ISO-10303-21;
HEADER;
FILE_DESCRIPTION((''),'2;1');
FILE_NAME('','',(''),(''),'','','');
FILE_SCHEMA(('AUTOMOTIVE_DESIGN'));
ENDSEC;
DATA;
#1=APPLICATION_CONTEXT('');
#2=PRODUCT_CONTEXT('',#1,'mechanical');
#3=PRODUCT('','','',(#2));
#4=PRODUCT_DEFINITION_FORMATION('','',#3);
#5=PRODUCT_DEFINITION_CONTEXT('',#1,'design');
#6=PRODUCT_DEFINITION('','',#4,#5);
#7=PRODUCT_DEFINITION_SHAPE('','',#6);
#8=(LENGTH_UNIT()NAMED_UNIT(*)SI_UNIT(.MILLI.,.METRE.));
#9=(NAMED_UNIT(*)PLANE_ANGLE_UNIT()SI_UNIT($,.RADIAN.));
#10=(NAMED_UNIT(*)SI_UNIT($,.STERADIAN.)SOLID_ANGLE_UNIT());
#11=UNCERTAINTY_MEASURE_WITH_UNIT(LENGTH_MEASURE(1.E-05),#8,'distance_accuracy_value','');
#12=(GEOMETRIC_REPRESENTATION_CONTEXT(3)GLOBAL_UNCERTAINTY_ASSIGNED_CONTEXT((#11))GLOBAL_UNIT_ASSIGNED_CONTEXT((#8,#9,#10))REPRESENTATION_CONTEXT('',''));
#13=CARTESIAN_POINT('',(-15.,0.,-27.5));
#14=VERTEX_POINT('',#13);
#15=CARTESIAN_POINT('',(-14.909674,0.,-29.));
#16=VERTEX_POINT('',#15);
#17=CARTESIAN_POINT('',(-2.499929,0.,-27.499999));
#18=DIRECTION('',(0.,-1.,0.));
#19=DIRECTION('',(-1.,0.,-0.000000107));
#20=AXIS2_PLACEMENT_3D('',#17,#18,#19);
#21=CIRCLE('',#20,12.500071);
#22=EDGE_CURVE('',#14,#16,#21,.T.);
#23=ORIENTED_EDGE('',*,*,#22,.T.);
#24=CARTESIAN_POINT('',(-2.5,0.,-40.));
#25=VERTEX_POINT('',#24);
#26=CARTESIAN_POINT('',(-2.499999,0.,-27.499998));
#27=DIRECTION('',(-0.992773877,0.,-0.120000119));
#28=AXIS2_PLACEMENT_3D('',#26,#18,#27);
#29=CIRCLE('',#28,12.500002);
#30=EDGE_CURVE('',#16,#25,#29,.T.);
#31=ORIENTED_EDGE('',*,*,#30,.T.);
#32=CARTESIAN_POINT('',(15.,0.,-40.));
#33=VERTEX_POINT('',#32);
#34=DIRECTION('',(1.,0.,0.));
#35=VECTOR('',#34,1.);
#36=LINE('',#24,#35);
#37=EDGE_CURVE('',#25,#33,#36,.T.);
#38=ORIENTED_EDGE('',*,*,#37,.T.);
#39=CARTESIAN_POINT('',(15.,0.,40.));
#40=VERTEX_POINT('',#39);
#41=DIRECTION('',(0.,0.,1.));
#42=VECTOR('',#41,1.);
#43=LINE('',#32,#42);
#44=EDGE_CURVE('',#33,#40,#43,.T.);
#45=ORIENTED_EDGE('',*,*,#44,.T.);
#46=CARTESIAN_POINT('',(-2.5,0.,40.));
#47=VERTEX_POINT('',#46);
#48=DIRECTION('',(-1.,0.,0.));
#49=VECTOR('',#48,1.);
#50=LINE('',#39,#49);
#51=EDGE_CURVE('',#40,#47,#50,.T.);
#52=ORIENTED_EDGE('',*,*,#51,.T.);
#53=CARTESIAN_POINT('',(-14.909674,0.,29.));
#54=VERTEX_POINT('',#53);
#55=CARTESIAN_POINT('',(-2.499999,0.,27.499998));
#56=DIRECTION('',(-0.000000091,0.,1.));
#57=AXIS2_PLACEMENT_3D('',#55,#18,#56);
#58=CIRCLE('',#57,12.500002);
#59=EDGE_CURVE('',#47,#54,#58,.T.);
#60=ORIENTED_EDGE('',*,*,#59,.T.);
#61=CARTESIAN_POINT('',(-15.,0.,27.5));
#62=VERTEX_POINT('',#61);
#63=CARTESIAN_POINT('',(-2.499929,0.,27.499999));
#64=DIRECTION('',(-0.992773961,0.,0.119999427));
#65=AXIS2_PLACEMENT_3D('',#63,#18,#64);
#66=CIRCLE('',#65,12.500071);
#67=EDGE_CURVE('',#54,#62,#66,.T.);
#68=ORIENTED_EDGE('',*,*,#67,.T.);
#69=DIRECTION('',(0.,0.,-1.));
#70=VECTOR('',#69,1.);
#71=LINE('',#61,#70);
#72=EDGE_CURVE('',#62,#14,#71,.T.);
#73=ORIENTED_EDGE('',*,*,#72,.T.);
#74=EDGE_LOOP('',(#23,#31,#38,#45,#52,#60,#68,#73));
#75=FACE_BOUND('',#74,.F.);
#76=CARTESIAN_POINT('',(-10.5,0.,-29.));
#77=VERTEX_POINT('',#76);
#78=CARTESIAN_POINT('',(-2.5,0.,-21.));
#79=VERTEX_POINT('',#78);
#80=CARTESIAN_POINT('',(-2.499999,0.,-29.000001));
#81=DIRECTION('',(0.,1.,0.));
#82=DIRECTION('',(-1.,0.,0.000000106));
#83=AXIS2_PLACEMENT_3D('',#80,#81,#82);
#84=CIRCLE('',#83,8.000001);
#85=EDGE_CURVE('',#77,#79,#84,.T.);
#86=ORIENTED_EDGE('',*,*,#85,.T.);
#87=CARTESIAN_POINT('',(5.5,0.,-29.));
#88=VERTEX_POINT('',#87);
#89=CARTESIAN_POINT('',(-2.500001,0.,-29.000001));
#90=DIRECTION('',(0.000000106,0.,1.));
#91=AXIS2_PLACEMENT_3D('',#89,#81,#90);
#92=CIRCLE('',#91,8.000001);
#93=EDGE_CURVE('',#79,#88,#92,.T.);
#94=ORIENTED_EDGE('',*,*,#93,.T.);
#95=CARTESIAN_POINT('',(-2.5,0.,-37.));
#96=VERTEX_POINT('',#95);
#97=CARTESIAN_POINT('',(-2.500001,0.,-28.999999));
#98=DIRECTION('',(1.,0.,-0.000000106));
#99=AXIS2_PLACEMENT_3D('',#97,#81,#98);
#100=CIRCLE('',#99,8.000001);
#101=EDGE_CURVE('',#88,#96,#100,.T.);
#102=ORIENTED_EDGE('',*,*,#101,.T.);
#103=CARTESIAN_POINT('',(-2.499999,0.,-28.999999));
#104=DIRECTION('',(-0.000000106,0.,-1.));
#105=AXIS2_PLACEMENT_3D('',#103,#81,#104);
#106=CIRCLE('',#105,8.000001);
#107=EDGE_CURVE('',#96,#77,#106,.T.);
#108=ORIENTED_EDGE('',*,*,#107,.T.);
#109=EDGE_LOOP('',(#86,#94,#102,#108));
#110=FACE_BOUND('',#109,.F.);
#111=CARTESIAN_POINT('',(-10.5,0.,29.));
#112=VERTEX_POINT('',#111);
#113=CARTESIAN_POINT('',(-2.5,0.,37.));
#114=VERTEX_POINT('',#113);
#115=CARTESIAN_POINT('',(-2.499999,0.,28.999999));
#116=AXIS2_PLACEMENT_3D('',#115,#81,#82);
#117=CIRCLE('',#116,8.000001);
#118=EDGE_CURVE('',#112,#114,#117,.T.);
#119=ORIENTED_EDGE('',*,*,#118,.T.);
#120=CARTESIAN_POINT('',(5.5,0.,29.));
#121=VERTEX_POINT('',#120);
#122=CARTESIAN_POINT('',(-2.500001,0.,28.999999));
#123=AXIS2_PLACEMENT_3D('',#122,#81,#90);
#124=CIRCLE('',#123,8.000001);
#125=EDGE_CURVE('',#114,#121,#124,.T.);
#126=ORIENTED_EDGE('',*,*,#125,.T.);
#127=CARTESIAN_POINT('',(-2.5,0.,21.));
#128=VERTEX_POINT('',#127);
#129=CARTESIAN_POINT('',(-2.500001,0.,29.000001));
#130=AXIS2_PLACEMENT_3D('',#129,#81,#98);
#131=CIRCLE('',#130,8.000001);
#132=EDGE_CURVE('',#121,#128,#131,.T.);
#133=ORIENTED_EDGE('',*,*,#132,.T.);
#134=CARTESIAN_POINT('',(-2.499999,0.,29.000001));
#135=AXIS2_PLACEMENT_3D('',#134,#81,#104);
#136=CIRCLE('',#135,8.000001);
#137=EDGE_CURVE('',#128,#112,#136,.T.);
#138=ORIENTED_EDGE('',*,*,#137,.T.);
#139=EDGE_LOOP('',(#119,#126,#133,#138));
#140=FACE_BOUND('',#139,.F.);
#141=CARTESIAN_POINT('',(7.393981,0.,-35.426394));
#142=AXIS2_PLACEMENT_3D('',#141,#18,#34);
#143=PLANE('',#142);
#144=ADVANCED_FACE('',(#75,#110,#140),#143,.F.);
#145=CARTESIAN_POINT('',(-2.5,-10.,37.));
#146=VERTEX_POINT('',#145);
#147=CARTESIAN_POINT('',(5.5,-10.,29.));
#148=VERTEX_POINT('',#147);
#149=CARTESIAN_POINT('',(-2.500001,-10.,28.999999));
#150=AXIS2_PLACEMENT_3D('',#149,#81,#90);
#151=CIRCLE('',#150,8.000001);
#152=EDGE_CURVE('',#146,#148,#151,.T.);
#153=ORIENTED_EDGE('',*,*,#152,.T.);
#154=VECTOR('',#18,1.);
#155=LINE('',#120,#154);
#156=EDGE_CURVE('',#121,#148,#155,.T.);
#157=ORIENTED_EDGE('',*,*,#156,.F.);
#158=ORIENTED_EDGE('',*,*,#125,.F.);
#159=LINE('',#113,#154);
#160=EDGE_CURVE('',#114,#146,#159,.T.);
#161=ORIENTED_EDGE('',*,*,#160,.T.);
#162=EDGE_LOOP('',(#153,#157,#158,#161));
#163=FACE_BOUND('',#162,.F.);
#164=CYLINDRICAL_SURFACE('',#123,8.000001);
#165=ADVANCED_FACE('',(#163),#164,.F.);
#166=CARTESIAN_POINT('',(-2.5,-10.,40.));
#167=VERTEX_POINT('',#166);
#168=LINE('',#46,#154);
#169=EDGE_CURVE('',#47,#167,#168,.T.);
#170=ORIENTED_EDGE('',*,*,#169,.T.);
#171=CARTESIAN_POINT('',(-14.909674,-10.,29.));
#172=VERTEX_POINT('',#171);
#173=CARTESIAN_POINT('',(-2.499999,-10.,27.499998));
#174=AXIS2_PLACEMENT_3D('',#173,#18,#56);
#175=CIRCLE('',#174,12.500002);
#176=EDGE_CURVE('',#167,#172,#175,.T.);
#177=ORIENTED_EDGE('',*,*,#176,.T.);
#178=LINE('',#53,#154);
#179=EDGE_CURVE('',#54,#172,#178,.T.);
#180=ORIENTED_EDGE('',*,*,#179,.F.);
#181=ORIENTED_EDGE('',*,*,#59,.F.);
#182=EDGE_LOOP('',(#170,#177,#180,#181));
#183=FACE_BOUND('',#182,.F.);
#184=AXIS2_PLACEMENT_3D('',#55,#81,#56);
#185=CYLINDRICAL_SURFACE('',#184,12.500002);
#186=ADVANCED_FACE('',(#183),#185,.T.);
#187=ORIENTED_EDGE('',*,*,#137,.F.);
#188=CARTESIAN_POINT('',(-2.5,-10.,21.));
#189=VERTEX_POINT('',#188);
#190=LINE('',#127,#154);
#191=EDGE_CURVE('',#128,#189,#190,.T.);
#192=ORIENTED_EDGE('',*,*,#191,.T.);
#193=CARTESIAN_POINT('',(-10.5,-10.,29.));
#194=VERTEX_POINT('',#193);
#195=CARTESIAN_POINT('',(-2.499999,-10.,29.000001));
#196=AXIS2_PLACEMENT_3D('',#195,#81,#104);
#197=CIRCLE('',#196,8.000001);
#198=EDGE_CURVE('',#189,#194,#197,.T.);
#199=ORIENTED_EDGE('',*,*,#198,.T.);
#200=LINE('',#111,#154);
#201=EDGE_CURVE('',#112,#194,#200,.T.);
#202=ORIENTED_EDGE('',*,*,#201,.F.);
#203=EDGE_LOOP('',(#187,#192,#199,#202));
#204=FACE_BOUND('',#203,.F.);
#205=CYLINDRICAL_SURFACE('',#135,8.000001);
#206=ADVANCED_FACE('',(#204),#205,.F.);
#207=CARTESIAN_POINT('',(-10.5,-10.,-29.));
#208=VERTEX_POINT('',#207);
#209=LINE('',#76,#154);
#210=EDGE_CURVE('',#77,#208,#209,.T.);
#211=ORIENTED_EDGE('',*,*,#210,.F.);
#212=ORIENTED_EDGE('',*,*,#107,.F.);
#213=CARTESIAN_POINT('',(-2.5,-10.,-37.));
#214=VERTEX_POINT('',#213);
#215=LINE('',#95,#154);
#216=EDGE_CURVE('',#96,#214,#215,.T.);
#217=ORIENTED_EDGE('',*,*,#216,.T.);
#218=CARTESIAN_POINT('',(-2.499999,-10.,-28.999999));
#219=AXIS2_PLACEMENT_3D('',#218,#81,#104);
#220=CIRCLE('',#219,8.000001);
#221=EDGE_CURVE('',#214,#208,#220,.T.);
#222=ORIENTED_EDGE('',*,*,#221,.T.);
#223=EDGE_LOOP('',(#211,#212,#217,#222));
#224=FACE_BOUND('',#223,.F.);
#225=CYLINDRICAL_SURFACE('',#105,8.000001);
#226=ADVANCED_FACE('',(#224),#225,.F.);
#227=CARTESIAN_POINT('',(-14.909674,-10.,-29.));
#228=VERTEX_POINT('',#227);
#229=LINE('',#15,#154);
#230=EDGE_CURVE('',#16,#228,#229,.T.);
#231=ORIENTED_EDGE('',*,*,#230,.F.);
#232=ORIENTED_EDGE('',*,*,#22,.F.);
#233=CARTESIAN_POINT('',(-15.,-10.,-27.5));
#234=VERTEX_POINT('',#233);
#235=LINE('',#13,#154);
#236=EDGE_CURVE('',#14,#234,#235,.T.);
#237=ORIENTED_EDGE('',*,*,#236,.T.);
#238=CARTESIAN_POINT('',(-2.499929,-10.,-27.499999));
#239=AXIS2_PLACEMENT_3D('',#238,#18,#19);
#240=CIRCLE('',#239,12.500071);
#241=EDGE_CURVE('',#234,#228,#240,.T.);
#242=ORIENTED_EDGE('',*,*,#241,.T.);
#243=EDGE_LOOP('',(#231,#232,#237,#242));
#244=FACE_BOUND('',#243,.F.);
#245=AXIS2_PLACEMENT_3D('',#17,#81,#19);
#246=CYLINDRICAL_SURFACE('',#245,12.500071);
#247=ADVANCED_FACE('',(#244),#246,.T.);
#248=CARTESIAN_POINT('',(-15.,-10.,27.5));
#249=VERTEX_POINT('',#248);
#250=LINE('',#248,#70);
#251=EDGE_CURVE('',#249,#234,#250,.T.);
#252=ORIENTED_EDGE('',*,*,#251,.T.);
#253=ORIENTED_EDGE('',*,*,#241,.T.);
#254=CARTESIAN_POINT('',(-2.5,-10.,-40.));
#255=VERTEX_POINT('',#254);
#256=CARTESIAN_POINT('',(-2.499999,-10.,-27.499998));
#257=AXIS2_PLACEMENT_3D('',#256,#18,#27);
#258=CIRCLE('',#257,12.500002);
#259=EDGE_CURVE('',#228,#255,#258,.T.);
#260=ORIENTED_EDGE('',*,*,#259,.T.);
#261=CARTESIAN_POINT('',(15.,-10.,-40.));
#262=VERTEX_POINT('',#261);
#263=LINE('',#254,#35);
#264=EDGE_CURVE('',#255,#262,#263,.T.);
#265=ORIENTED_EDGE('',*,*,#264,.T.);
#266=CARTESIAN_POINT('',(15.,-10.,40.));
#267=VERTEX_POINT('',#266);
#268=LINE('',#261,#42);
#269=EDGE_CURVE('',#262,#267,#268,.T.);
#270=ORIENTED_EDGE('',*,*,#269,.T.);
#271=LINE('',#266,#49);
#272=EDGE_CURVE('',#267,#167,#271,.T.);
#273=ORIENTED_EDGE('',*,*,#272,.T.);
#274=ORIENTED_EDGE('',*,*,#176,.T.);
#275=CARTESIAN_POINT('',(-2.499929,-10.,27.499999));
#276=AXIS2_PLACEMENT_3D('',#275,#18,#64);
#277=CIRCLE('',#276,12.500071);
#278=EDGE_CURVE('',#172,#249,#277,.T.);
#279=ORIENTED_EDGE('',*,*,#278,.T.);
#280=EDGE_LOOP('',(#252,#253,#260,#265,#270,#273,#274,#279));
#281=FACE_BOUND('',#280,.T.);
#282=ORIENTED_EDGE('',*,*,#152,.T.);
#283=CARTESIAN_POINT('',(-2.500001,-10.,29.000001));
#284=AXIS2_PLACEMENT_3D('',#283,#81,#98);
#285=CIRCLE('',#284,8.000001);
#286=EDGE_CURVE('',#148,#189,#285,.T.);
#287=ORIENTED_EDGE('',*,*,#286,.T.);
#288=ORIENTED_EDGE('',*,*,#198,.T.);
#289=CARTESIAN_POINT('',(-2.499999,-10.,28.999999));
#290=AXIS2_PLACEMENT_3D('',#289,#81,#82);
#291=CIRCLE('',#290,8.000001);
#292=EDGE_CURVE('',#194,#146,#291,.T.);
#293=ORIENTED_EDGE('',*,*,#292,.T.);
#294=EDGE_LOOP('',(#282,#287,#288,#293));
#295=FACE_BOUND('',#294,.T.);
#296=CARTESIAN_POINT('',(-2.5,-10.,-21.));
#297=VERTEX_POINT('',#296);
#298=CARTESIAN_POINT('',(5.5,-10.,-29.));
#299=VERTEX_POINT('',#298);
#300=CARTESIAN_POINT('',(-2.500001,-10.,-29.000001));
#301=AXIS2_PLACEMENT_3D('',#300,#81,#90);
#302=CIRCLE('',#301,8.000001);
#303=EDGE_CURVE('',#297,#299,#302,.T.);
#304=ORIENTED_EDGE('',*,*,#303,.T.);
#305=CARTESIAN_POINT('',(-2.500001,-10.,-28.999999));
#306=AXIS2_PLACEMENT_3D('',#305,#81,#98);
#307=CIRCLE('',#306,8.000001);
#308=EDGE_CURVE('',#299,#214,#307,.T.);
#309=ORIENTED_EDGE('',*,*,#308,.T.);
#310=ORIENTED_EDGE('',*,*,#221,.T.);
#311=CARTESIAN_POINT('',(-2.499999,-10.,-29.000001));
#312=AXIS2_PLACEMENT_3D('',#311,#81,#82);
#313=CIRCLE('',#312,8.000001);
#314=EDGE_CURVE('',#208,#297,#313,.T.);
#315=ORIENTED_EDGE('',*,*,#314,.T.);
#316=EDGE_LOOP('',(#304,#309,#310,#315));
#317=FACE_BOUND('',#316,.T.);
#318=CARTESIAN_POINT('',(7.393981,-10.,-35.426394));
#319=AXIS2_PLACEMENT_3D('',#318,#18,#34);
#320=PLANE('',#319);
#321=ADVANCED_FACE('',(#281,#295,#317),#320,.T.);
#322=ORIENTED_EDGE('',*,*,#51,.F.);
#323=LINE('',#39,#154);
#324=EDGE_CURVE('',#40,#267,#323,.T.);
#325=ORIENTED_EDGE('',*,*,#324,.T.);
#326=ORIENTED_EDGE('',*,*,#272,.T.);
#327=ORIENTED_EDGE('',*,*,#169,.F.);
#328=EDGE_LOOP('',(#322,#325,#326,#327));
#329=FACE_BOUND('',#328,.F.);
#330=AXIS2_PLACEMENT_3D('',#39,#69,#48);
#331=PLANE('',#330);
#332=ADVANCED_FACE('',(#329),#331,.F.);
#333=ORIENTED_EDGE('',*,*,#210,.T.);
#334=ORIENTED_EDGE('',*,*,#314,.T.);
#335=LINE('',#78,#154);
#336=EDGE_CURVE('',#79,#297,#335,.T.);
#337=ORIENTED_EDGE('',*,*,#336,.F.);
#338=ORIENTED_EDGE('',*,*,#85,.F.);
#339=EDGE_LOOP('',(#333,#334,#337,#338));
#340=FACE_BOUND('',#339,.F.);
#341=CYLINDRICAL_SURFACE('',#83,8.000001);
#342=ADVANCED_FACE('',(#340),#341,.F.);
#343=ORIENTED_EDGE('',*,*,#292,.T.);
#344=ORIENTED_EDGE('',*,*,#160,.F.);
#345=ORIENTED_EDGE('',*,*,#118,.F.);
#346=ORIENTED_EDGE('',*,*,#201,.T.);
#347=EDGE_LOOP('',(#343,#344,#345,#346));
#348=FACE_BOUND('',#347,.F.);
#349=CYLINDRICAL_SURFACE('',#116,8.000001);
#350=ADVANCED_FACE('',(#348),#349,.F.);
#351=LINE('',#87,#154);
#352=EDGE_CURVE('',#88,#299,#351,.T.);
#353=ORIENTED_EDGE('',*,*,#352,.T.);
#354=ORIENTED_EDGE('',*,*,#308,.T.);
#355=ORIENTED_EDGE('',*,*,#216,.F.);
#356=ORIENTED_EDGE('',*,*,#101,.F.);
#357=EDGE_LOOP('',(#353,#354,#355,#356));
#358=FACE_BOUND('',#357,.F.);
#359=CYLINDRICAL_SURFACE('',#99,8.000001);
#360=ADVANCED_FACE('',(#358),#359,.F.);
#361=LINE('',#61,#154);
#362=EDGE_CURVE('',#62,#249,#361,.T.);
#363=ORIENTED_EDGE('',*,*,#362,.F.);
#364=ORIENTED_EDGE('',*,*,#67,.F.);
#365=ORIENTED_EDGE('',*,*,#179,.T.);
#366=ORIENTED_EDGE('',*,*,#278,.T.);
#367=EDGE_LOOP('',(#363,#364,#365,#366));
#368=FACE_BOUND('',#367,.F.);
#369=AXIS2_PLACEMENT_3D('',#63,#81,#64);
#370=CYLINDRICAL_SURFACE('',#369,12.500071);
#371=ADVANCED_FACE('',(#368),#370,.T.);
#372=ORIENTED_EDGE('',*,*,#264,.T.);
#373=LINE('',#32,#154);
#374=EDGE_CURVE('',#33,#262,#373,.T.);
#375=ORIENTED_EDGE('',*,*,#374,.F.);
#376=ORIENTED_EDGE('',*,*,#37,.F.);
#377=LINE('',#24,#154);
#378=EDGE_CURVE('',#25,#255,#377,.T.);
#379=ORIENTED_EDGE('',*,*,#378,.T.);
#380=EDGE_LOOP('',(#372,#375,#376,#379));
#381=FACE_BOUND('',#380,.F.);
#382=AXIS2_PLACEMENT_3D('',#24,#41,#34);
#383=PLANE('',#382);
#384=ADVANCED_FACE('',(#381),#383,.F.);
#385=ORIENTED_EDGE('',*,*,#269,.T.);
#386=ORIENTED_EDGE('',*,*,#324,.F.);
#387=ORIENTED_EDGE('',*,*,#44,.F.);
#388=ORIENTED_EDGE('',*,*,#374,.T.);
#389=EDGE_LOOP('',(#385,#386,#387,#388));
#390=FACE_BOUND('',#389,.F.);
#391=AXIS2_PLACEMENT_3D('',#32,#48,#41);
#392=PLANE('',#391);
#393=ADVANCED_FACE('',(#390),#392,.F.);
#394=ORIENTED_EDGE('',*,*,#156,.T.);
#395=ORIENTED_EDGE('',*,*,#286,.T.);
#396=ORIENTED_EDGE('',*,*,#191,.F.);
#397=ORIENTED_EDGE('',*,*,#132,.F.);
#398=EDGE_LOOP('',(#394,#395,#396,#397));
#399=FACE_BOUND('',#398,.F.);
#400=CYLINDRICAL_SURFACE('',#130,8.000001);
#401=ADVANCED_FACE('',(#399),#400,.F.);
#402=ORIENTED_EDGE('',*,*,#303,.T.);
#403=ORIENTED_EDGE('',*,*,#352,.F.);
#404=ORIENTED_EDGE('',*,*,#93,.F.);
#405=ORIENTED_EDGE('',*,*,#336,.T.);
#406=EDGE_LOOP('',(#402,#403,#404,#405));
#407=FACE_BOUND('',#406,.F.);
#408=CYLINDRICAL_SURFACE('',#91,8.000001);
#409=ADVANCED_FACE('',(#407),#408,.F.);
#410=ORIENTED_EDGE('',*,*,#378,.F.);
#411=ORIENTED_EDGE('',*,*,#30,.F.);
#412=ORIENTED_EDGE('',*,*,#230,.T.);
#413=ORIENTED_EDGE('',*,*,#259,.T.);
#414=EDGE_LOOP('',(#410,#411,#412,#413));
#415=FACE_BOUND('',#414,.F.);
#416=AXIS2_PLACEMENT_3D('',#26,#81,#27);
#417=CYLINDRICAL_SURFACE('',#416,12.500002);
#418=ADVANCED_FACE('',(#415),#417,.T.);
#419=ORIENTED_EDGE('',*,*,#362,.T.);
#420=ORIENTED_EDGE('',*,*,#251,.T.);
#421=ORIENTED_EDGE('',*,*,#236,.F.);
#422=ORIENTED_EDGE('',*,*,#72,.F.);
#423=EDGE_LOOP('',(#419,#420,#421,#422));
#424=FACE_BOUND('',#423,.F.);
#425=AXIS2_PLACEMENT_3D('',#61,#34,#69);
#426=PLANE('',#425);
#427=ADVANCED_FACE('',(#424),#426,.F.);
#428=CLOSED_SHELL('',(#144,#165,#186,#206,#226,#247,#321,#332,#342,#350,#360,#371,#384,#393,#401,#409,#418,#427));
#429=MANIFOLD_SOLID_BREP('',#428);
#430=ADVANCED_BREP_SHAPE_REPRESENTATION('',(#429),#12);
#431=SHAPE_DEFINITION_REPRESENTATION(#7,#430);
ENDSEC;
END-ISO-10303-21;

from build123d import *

# Parameters (mm, degrees)
F1_DEPTH = 10


with BuildPart() as f1:
    # F0 (on Front) → F1 (new body)
    with BuildSketch(Plane.XZ):
        with BuildLine():
            Line((-2.5, -40), (15, -40))
            Line((15, -40), (15, -29))
            Line((15, -29), (5.5, -29))
            ThreePointArc((5.5, -29), (3.156854, -34.656854), (-2.5, -37))
            Line((-2.5, -37), (-2.5, -40))
        make_face()
        with BuildLine():
            ThreePointArc((-14.909674, -29), (-10.791562, -36.854143), (-2.5, -40))
            Line((-2.5, -40), (-2.5, -37))
            ThreePointArc((-2.5, -37), (-8.156854, -34.656854), (-10.5, -29))
            Line((-10.5, -29), (-14.909674, -29))
        make_face()
        with BuildLine():
            Line((5.5, -29), (15, -29))
            Line((15, -29), (15, 29))
            Line((15, 29), (5.5, 29))
            ThreePointArc((5.5, 29), (3.156854, 23.343146), (-2.5, 21))
            Line((-2.5, 21), (-2.5, -21))
            ThreePointArc((-2.5, -21), (3.156854, -23.343146), (5.5, -29))
        make_face()
        with BuildLine():
            ThreePointArc((-15, -27.5), (-14.977398, -28.251359), (-14.909674, -29))
            Line((-14.909674, -29), (-10.5, -29))
            ThreePointArc((-10.5, -29), (-8.156854, -23.343146), (-2.5, -21))
            Line((-2.5, -21), (-2.5, 21))
            ThreePointArc((-2.5, 21), (-8.156854, 23.343146), (-10.5, 29))
            Line((-10.5, 29), (-14.909674, 29))
            ThreePointArc((-14.909674, 29), (-14.977398, 28.251359), (-15, 27.5))
            Line((-15, 27.5), (-15, -27.5))
        make_face()
        with BuildLine():
            Line((5.5, 29), (15, 29))
            Line((15, 29), (15, 40))
            Line((15, 40), (-2.5, 40))
            Line((-2.5, 40), (-2.5, 37))
            ThreePointArc((-2.5, 37), (3.156854, 34.656854), (5.5, 29))
        make_face()
        with BuildLine():
            Line((-2.5, 37), (-2.5, 40))
            ThreePointArc((-2.5, 40), (-10.791562, 36.854143), (-14.909674, 29))
            Line((-14.909674, 29), (-10.5, 29))
            ThreePointArc((-10.5, 29), (-8.156854, 34.656854), (-2.5, 37))
        make_face()
    extrude(amount=F1_DEPTH)


solid = f1.part
